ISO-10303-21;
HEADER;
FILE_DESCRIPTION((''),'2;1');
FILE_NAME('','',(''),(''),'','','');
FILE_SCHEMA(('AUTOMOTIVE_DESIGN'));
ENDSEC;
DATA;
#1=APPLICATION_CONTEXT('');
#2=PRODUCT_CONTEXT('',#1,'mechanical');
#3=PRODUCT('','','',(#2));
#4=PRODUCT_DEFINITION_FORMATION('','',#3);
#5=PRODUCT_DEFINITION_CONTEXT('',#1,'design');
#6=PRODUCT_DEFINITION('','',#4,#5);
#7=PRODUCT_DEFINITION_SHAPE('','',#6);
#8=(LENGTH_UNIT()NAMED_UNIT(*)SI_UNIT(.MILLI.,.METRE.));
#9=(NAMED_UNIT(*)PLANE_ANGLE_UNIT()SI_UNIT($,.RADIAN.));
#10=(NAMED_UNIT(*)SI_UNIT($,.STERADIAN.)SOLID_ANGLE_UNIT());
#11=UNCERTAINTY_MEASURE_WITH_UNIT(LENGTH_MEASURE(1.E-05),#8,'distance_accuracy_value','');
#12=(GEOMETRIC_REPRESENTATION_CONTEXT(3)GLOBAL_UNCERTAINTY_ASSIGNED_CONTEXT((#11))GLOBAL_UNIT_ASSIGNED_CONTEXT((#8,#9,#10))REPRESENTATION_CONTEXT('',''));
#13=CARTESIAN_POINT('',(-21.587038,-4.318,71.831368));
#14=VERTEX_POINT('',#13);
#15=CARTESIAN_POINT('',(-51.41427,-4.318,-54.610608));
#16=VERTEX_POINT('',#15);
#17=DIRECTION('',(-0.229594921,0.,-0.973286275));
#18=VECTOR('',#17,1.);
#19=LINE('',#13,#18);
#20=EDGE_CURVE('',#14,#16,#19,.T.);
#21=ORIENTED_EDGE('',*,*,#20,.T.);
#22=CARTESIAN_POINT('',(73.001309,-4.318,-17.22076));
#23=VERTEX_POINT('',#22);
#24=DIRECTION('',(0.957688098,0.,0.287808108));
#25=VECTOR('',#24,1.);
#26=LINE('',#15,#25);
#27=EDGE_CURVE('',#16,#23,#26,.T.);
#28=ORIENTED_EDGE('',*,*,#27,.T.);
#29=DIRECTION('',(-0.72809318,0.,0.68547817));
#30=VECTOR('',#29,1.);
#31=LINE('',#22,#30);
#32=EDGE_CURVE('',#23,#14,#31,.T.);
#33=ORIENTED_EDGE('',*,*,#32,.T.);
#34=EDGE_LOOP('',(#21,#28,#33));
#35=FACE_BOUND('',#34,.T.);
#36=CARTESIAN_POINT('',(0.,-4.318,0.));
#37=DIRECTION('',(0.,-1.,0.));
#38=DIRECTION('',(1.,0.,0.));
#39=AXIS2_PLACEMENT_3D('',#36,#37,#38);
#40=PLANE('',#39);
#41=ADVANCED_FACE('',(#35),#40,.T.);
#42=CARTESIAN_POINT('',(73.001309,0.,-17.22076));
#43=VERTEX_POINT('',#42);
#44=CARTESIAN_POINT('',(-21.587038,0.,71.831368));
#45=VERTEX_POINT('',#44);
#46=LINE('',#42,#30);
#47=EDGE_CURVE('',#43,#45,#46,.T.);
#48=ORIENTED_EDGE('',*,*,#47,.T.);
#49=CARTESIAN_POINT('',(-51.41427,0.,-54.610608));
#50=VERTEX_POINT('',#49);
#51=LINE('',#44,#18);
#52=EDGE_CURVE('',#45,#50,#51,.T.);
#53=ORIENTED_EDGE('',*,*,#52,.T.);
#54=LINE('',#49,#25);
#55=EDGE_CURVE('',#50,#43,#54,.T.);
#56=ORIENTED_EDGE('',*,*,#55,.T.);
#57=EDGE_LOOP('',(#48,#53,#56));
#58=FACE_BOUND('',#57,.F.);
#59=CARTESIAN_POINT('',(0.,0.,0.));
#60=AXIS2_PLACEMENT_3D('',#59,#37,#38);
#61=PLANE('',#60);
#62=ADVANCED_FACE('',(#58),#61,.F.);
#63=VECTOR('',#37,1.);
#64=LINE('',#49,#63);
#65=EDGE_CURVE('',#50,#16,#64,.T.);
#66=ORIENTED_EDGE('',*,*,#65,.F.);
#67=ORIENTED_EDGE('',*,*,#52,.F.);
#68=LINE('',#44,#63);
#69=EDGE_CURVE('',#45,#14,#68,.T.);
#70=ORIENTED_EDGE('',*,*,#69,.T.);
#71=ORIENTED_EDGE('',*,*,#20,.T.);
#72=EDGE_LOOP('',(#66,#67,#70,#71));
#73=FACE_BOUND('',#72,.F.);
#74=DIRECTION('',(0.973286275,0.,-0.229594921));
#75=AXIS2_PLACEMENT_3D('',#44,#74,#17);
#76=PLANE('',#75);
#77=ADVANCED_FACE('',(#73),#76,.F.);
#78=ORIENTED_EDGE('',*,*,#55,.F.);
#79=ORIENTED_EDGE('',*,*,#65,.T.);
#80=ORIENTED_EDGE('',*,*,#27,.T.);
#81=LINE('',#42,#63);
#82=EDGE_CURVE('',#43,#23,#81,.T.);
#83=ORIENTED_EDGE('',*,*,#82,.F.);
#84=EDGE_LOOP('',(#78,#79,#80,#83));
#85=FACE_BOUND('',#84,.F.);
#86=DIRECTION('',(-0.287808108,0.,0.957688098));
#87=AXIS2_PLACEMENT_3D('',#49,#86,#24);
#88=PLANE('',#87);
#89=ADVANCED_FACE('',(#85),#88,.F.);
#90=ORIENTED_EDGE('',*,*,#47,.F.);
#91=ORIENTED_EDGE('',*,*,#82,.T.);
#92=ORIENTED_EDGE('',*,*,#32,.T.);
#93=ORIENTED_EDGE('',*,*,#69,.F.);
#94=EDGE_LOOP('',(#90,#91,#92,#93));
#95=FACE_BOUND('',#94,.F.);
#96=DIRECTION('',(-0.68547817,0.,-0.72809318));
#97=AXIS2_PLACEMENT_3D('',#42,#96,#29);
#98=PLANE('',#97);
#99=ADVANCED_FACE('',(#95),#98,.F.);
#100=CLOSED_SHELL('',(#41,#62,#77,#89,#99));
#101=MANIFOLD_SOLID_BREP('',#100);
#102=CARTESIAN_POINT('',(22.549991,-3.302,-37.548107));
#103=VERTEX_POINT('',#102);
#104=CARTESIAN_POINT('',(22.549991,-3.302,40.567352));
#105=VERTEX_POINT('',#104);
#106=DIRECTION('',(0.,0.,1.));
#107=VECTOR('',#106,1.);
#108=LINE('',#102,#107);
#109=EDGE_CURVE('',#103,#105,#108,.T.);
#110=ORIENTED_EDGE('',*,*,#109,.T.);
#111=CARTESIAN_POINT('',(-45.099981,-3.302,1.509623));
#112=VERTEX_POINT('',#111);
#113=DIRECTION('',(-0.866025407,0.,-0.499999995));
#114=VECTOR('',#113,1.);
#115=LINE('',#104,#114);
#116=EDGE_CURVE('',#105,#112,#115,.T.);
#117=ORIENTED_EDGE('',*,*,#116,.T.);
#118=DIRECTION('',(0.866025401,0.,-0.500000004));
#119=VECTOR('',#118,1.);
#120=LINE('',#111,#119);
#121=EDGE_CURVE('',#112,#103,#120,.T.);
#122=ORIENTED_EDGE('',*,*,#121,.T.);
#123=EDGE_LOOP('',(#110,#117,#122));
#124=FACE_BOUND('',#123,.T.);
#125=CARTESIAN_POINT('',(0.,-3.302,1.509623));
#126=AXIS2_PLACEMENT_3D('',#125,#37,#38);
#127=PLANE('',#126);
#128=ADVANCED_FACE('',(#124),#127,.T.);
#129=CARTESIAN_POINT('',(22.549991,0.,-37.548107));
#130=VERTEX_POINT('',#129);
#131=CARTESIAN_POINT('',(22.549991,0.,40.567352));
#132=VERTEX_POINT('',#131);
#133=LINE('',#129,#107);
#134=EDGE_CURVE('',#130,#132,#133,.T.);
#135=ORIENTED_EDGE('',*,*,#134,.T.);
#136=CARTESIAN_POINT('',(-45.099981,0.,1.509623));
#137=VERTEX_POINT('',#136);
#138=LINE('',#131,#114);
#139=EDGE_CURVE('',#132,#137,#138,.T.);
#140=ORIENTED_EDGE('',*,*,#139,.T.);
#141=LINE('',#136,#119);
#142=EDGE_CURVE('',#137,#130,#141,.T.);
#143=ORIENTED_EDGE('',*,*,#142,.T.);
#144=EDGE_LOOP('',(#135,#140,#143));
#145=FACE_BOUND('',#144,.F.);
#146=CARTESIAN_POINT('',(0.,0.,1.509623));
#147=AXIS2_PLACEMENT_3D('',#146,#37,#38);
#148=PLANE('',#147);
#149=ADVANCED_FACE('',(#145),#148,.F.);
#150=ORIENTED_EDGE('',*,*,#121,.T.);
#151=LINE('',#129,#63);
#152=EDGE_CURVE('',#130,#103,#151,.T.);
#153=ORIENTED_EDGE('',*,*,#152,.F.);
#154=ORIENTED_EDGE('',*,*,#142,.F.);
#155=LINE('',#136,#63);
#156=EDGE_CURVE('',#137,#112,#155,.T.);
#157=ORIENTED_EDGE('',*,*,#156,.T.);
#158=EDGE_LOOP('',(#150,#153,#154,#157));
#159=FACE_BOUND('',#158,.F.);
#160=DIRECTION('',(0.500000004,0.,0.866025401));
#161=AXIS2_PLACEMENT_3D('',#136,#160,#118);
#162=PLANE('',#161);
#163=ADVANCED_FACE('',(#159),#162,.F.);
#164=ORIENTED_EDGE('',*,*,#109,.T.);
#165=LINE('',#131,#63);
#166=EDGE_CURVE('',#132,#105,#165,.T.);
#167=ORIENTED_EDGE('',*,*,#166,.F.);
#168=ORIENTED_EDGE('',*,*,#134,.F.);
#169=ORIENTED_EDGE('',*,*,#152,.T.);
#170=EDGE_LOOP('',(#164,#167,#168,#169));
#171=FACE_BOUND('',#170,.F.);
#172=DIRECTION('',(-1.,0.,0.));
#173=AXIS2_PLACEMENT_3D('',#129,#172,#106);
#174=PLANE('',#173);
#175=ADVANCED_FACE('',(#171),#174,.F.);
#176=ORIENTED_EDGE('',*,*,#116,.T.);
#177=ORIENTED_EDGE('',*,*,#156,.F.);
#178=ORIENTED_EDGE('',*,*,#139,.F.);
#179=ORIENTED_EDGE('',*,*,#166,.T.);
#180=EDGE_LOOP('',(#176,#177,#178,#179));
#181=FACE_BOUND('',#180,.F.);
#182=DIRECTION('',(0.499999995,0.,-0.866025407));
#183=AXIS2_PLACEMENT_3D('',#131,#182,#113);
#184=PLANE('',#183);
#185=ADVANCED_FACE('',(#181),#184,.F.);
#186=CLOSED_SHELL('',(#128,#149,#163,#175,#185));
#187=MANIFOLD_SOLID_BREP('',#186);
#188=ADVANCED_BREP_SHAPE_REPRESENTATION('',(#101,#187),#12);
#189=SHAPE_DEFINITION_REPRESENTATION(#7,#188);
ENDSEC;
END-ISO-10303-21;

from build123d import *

# Parameters (mm, degrees)
F1_DEPTH = 4.318
F3_DEPTH = 3.302


with BuildPart() as f1:
    # F0 (on Front) → F1 (new body)
    with BuildSketch(Plane.XZ):
        Polygon((-51.41427, -54.610608), (73.001309, -17.22076), (-21.587038, 71.831368), align=None)
    extrude(amount=F1_DEPTH)


with BuildPart() as f3:
    # F2 (on Front) → F3 (new body)
    with BuildSketch(Plane.XZ):
        Polygon((22.549991, -37.548107), (22.549991, 40.567352), (-45.099981, 1.509623), align=None)
    extrude(amount=F3_DEPTH)


solid = Compound([f1.part, f3.part])
